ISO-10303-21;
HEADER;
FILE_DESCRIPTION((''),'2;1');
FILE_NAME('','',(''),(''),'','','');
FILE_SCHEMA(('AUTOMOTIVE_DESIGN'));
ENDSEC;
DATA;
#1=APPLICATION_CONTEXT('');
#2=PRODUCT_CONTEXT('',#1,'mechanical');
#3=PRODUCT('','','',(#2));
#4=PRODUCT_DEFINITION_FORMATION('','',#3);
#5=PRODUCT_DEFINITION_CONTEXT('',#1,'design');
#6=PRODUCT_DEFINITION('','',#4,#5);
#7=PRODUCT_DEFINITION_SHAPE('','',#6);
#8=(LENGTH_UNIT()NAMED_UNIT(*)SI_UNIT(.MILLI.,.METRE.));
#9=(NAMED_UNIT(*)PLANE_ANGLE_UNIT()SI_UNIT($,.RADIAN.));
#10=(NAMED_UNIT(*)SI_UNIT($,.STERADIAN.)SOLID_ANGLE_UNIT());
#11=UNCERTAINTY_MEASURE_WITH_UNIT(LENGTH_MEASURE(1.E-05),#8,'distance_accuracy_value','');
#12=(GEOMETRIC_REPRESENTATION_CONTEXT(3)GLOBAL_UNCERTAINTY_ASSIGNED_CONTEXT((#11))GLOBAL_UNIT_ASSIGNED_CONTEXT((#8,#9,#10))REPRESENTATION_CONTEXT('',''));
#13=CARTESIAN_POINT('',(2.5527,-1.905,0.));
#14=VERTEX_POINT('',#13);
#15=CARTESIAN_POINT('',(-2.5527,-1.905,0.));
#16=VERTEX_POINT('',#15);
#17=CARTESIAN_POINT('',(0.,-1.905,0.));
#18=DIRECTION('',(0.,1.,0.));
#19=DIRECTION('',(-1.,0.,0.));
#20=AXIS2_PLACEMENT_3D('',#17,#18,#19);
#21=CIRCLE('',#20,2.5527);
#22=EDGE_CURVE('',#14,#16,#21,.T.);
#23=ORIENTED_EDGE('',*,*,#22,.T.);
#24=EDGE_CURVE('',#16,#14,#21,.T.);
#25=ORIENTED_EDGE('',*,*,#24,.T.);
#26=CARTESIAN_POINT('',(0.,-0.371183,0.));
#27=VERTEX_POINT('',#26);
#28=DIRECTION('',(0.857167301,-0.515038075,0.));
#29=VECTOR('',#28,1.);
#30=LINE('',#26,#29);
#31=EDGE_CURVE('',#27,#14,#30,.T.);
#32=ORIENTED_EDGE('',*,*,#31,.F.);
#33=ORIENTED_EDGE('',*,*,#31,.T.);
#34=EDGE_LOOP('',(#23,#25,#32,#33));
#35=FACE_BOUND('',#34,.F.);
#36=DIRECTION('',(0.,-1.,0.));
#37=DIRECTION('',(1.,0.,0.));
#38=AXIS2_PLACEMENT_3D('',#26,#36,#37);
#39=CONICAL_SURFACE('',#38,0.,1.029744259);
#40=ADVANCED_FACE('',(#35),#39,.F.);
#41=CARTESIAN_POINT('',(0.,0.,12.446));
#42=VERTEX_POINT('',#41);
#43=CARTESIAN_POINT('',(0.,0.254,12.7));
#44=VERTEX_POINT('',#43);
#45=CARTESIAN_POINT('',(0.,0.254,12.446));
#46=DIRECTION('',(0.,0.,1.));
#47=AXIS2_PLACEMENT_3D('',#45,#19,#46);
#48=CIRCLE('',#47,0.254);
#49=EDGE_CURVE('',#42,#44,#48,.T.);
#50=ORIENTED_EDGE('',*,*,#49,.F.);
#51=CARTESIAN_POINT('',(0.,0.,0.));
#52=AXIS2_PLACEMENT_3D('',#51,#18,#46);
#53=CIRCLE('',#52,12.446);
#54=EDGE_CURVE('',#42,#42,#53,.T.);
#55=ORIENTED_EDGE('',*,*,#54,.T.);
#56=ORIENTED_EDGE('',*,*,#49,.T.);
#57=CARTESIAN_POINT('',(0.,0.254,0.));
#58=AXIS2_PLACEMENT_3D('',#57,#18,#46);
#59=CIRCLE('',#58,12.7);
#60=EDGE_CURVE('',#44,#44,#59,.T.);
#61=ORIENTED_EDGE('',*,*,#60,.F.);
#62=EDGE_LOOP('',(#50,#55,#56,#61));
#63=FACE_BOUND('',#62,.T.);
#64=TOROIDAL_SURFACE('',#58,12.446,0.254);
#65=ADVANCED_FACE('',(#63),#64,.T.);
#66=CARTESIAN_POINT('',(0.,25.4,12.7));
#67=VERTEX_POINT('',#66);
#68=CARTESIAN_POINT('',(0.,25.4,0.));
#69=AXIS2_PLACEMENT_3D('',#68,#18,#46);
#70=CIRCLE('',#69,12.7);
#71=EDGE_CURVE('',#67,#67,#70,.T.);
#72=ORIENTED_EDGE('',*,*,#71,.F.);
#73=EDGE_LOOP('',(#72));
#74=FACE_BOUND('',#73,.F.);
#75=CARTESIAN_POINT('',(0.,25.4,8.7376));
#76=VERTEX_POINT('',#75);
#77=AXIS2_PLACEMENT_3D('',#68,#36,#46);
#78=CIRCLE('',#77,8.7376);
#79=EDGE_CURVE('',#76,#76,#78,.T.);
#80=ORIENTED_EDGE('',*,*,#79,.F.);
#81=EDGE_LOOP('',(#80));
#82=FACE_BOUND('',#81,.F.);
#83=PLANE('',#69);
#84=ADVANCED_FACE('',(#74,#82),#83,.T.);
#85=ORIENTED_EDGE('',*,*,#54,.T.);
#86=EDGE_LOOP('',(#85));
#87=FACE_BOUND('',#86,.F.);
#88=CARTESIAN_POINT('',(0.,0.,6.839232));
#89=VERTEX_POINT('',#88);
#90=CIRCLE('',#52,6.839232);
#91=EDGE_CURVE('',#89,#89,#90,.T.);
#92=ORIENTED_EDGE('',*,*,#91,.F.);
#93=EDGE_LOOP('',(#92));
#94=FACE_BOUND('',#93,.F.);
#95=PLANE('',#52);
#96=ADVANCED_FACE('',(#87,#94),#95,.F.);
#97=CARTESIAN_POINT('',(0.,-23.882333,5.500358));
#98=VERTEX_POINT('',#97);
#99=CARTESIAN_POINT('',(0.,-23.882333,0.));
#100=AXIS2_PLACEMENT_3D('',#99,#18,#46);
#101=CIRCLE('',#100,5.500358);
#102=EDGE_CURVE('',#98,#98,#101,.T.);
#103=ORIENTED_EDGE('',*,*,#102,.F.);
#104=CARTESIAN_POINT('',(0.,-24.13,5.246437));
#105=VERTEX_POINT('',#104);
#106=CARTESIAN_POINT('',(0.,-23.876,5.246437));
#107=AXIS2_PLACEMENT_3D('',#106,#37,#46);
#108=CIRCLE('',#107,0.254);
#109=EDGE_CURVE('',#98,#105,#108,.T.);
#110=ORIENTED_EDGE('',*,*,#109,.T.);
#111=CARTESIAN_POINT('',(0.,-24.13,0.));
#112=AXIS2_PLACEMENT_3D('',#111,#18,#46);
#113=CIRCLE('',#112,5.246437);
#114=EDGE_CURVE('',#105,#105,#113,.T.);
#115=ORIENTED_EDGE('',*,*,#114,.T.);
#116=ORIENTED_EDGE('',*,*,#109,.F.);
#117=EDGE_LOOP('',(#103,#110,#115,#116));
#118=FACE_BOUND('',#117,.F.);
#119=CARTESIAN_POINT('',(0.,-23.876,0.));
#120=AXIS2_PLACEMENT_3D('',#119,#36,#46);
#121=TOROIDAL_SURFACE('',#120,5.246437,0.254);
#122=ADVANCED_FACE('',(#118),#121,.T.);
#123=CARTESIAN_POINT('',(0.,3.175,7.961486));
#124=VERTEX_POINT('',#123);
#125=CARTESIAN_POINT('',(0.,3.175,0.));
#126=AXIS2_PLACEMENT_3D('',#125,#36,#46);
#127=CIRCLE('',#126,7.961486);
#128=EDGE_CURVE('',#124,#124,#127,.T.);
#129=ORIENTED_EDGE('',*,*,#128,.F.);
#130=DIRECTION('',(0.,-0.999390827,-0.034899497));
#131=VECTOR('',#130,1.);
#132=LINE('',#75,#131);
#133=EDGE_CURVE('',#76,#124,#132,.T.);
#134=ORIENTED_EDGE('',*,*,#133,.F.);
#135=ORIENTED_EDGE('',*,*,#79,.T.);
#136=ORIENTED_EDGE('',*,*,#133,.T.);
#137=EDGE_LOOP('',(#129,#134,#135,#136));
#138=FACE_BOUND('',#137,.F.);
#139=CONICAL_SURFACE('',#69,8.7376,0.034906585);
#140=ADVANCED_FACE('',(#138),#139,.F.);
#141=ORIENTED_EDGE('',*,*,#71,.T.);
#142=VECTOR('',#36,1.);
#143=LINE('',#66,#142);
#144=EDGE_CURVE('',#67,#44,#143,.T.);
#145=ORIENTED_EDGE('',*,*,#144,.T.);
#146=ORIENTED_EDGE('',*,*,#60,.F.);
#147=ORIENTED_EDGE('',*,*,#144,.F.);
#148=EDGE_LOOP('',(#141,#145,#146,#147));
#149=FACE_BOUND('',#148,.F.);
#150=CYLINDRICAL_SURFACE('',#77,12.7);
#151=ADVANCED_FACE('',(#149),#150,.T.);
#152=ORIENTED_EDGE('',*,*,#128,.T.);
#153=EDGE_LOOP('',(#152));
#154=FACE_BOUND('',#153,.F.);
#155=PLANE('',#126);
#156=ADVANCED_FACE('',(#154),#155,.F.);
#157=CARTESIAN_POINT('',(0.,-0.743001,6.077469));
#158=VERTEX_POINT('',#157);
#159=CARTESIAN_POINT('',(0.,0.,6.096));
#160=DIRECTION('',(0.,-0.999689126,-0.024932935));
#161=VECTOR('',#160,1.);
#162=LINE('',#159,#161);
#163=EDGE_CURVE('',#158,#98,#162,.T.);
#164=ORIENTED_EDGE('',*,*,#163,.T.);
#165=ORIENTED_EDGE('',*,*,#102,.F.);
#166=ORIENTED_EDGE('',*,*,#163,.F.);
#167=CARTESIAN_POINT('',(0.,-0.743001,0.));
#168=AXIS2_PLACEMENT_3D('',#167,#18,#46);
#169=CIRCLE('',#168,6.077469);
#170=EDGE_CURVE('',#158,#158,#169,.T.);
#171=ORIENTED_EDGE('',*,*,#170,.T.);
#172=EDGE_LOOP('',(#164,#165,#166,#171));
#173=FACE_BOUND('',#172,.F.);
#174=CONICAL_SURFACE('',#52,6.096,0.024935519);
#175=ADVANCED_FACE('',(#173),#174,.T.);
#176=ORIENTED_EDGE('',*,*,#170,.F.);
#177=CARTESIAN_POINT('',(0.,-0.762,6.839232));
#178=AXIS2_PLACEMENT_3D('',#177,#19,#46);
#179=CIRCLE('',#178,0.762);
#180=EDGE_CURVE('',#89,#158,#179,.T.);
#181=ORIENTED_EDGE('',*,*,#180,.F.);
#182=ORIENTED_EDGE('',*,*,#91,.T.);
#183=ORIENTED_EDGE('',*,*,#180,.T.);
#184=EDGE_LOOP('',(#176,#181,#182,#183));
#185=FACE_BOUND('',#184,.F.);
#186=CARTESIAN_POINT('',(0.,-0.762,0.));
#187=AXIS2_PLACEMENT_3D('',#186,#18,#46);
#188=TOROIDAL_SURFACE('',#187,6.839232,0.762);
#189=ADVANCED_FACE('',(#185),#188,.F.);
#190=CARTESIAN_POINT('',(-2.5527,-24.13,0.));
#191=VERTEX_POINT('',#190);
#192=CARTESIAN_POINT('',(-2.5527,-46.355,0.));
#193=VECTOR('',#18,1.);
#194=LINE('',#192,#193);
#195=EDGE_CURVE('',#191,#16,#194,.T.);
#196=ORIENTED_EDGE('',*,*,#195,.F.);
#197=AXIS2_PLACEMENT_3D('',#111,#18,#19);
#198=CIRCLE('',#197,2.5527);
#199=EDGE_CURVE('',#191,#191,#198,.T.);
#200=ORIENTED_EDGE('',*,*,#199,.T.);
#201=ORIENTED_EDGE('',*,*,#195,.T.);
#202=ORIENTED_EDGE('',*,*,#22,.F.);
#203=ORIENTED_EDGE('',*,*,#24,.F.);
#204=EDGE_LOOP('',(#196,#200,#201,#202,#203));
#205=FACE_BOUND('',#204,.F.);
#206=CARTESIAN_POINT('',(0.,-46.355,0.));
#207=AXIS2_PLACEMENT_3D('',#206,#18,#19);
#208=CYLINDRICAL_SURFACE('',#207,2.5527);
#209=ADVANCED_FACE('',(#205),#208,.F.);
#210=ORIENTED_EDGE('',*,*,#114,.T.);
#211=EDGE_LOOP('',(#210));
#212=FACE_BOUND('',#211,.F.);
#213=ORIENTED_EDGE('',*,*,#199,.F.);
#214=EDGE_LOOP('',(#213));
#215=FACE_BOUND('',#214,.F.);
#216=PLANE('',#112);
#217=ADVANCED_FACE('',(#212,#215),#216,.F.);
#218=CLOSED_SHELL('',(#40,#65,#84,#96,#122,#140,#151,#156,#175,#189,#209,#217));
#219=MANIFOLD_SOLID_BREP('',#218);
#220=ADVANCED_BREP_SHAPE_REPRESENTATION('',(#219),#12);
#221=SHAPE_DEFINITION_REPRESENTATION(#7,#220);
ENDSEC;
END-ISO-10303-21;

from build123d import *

# Parameters (mm, degrees)
F3_D     = 5.1054
F3_DEPTH = 22.225
F3_TIP   = 1.5338169022
F4_R     = 0.762
F5_R     = 0.254


with BuildPart() as f1:
    # F0 (on Right) → F1 (revolve)
    with BuildSketch(Plane.YZ):
        Polygon((-24.13, 0), (25.4, 0), (25.4, 12.7), (0, 12.7), (0, 6.096), (-24.13, 5.4941811878), align=None)
    revolve(axis=Axis((0, 0.635, 0), (0, 1, 0)))

    # F3
    with Locations(Plane.XZ.offset(24.13)):
        with Locations((0, 0)):
            Hole(F3_D / 2, depth=F3_DEPTH)
            with Locations((0, 0, -(F3_DEPTH + F3_TIP / 2))):  # 118° drill point
                Cone(0, F3_D / 2, F3_TIP, mode=Mode.SUBTRACT)

    # F4
    f4_edges = [f1.edges().sort_by_distance(p)[0] for p in [
        (0, 0, -6.096),
    ]]
    fillet(f4_edges, radius=F4_R)

    # F5
    f5_edges = [f1.edges().sort_by_distance(p)[0] for p in [
        (0, 0, -12.7),
        (0, -24.13, -5.494181),
    ]]
    fillet(f5_edges, radius=F5_R)

    # F6 (on Right) → F7 (revolve, cut)
    with BuildSketch(Plane.YZ):
        Polygon((3.175, 0), (25.4, 0), (25.4, 8.7376), (3.175, 7.961485898), align=None)
    revolve(axis=Axis((0, 14.2875, 0), (0, -1, 0)), mode=Mode.SUBTRACT)


solid = f1.part
